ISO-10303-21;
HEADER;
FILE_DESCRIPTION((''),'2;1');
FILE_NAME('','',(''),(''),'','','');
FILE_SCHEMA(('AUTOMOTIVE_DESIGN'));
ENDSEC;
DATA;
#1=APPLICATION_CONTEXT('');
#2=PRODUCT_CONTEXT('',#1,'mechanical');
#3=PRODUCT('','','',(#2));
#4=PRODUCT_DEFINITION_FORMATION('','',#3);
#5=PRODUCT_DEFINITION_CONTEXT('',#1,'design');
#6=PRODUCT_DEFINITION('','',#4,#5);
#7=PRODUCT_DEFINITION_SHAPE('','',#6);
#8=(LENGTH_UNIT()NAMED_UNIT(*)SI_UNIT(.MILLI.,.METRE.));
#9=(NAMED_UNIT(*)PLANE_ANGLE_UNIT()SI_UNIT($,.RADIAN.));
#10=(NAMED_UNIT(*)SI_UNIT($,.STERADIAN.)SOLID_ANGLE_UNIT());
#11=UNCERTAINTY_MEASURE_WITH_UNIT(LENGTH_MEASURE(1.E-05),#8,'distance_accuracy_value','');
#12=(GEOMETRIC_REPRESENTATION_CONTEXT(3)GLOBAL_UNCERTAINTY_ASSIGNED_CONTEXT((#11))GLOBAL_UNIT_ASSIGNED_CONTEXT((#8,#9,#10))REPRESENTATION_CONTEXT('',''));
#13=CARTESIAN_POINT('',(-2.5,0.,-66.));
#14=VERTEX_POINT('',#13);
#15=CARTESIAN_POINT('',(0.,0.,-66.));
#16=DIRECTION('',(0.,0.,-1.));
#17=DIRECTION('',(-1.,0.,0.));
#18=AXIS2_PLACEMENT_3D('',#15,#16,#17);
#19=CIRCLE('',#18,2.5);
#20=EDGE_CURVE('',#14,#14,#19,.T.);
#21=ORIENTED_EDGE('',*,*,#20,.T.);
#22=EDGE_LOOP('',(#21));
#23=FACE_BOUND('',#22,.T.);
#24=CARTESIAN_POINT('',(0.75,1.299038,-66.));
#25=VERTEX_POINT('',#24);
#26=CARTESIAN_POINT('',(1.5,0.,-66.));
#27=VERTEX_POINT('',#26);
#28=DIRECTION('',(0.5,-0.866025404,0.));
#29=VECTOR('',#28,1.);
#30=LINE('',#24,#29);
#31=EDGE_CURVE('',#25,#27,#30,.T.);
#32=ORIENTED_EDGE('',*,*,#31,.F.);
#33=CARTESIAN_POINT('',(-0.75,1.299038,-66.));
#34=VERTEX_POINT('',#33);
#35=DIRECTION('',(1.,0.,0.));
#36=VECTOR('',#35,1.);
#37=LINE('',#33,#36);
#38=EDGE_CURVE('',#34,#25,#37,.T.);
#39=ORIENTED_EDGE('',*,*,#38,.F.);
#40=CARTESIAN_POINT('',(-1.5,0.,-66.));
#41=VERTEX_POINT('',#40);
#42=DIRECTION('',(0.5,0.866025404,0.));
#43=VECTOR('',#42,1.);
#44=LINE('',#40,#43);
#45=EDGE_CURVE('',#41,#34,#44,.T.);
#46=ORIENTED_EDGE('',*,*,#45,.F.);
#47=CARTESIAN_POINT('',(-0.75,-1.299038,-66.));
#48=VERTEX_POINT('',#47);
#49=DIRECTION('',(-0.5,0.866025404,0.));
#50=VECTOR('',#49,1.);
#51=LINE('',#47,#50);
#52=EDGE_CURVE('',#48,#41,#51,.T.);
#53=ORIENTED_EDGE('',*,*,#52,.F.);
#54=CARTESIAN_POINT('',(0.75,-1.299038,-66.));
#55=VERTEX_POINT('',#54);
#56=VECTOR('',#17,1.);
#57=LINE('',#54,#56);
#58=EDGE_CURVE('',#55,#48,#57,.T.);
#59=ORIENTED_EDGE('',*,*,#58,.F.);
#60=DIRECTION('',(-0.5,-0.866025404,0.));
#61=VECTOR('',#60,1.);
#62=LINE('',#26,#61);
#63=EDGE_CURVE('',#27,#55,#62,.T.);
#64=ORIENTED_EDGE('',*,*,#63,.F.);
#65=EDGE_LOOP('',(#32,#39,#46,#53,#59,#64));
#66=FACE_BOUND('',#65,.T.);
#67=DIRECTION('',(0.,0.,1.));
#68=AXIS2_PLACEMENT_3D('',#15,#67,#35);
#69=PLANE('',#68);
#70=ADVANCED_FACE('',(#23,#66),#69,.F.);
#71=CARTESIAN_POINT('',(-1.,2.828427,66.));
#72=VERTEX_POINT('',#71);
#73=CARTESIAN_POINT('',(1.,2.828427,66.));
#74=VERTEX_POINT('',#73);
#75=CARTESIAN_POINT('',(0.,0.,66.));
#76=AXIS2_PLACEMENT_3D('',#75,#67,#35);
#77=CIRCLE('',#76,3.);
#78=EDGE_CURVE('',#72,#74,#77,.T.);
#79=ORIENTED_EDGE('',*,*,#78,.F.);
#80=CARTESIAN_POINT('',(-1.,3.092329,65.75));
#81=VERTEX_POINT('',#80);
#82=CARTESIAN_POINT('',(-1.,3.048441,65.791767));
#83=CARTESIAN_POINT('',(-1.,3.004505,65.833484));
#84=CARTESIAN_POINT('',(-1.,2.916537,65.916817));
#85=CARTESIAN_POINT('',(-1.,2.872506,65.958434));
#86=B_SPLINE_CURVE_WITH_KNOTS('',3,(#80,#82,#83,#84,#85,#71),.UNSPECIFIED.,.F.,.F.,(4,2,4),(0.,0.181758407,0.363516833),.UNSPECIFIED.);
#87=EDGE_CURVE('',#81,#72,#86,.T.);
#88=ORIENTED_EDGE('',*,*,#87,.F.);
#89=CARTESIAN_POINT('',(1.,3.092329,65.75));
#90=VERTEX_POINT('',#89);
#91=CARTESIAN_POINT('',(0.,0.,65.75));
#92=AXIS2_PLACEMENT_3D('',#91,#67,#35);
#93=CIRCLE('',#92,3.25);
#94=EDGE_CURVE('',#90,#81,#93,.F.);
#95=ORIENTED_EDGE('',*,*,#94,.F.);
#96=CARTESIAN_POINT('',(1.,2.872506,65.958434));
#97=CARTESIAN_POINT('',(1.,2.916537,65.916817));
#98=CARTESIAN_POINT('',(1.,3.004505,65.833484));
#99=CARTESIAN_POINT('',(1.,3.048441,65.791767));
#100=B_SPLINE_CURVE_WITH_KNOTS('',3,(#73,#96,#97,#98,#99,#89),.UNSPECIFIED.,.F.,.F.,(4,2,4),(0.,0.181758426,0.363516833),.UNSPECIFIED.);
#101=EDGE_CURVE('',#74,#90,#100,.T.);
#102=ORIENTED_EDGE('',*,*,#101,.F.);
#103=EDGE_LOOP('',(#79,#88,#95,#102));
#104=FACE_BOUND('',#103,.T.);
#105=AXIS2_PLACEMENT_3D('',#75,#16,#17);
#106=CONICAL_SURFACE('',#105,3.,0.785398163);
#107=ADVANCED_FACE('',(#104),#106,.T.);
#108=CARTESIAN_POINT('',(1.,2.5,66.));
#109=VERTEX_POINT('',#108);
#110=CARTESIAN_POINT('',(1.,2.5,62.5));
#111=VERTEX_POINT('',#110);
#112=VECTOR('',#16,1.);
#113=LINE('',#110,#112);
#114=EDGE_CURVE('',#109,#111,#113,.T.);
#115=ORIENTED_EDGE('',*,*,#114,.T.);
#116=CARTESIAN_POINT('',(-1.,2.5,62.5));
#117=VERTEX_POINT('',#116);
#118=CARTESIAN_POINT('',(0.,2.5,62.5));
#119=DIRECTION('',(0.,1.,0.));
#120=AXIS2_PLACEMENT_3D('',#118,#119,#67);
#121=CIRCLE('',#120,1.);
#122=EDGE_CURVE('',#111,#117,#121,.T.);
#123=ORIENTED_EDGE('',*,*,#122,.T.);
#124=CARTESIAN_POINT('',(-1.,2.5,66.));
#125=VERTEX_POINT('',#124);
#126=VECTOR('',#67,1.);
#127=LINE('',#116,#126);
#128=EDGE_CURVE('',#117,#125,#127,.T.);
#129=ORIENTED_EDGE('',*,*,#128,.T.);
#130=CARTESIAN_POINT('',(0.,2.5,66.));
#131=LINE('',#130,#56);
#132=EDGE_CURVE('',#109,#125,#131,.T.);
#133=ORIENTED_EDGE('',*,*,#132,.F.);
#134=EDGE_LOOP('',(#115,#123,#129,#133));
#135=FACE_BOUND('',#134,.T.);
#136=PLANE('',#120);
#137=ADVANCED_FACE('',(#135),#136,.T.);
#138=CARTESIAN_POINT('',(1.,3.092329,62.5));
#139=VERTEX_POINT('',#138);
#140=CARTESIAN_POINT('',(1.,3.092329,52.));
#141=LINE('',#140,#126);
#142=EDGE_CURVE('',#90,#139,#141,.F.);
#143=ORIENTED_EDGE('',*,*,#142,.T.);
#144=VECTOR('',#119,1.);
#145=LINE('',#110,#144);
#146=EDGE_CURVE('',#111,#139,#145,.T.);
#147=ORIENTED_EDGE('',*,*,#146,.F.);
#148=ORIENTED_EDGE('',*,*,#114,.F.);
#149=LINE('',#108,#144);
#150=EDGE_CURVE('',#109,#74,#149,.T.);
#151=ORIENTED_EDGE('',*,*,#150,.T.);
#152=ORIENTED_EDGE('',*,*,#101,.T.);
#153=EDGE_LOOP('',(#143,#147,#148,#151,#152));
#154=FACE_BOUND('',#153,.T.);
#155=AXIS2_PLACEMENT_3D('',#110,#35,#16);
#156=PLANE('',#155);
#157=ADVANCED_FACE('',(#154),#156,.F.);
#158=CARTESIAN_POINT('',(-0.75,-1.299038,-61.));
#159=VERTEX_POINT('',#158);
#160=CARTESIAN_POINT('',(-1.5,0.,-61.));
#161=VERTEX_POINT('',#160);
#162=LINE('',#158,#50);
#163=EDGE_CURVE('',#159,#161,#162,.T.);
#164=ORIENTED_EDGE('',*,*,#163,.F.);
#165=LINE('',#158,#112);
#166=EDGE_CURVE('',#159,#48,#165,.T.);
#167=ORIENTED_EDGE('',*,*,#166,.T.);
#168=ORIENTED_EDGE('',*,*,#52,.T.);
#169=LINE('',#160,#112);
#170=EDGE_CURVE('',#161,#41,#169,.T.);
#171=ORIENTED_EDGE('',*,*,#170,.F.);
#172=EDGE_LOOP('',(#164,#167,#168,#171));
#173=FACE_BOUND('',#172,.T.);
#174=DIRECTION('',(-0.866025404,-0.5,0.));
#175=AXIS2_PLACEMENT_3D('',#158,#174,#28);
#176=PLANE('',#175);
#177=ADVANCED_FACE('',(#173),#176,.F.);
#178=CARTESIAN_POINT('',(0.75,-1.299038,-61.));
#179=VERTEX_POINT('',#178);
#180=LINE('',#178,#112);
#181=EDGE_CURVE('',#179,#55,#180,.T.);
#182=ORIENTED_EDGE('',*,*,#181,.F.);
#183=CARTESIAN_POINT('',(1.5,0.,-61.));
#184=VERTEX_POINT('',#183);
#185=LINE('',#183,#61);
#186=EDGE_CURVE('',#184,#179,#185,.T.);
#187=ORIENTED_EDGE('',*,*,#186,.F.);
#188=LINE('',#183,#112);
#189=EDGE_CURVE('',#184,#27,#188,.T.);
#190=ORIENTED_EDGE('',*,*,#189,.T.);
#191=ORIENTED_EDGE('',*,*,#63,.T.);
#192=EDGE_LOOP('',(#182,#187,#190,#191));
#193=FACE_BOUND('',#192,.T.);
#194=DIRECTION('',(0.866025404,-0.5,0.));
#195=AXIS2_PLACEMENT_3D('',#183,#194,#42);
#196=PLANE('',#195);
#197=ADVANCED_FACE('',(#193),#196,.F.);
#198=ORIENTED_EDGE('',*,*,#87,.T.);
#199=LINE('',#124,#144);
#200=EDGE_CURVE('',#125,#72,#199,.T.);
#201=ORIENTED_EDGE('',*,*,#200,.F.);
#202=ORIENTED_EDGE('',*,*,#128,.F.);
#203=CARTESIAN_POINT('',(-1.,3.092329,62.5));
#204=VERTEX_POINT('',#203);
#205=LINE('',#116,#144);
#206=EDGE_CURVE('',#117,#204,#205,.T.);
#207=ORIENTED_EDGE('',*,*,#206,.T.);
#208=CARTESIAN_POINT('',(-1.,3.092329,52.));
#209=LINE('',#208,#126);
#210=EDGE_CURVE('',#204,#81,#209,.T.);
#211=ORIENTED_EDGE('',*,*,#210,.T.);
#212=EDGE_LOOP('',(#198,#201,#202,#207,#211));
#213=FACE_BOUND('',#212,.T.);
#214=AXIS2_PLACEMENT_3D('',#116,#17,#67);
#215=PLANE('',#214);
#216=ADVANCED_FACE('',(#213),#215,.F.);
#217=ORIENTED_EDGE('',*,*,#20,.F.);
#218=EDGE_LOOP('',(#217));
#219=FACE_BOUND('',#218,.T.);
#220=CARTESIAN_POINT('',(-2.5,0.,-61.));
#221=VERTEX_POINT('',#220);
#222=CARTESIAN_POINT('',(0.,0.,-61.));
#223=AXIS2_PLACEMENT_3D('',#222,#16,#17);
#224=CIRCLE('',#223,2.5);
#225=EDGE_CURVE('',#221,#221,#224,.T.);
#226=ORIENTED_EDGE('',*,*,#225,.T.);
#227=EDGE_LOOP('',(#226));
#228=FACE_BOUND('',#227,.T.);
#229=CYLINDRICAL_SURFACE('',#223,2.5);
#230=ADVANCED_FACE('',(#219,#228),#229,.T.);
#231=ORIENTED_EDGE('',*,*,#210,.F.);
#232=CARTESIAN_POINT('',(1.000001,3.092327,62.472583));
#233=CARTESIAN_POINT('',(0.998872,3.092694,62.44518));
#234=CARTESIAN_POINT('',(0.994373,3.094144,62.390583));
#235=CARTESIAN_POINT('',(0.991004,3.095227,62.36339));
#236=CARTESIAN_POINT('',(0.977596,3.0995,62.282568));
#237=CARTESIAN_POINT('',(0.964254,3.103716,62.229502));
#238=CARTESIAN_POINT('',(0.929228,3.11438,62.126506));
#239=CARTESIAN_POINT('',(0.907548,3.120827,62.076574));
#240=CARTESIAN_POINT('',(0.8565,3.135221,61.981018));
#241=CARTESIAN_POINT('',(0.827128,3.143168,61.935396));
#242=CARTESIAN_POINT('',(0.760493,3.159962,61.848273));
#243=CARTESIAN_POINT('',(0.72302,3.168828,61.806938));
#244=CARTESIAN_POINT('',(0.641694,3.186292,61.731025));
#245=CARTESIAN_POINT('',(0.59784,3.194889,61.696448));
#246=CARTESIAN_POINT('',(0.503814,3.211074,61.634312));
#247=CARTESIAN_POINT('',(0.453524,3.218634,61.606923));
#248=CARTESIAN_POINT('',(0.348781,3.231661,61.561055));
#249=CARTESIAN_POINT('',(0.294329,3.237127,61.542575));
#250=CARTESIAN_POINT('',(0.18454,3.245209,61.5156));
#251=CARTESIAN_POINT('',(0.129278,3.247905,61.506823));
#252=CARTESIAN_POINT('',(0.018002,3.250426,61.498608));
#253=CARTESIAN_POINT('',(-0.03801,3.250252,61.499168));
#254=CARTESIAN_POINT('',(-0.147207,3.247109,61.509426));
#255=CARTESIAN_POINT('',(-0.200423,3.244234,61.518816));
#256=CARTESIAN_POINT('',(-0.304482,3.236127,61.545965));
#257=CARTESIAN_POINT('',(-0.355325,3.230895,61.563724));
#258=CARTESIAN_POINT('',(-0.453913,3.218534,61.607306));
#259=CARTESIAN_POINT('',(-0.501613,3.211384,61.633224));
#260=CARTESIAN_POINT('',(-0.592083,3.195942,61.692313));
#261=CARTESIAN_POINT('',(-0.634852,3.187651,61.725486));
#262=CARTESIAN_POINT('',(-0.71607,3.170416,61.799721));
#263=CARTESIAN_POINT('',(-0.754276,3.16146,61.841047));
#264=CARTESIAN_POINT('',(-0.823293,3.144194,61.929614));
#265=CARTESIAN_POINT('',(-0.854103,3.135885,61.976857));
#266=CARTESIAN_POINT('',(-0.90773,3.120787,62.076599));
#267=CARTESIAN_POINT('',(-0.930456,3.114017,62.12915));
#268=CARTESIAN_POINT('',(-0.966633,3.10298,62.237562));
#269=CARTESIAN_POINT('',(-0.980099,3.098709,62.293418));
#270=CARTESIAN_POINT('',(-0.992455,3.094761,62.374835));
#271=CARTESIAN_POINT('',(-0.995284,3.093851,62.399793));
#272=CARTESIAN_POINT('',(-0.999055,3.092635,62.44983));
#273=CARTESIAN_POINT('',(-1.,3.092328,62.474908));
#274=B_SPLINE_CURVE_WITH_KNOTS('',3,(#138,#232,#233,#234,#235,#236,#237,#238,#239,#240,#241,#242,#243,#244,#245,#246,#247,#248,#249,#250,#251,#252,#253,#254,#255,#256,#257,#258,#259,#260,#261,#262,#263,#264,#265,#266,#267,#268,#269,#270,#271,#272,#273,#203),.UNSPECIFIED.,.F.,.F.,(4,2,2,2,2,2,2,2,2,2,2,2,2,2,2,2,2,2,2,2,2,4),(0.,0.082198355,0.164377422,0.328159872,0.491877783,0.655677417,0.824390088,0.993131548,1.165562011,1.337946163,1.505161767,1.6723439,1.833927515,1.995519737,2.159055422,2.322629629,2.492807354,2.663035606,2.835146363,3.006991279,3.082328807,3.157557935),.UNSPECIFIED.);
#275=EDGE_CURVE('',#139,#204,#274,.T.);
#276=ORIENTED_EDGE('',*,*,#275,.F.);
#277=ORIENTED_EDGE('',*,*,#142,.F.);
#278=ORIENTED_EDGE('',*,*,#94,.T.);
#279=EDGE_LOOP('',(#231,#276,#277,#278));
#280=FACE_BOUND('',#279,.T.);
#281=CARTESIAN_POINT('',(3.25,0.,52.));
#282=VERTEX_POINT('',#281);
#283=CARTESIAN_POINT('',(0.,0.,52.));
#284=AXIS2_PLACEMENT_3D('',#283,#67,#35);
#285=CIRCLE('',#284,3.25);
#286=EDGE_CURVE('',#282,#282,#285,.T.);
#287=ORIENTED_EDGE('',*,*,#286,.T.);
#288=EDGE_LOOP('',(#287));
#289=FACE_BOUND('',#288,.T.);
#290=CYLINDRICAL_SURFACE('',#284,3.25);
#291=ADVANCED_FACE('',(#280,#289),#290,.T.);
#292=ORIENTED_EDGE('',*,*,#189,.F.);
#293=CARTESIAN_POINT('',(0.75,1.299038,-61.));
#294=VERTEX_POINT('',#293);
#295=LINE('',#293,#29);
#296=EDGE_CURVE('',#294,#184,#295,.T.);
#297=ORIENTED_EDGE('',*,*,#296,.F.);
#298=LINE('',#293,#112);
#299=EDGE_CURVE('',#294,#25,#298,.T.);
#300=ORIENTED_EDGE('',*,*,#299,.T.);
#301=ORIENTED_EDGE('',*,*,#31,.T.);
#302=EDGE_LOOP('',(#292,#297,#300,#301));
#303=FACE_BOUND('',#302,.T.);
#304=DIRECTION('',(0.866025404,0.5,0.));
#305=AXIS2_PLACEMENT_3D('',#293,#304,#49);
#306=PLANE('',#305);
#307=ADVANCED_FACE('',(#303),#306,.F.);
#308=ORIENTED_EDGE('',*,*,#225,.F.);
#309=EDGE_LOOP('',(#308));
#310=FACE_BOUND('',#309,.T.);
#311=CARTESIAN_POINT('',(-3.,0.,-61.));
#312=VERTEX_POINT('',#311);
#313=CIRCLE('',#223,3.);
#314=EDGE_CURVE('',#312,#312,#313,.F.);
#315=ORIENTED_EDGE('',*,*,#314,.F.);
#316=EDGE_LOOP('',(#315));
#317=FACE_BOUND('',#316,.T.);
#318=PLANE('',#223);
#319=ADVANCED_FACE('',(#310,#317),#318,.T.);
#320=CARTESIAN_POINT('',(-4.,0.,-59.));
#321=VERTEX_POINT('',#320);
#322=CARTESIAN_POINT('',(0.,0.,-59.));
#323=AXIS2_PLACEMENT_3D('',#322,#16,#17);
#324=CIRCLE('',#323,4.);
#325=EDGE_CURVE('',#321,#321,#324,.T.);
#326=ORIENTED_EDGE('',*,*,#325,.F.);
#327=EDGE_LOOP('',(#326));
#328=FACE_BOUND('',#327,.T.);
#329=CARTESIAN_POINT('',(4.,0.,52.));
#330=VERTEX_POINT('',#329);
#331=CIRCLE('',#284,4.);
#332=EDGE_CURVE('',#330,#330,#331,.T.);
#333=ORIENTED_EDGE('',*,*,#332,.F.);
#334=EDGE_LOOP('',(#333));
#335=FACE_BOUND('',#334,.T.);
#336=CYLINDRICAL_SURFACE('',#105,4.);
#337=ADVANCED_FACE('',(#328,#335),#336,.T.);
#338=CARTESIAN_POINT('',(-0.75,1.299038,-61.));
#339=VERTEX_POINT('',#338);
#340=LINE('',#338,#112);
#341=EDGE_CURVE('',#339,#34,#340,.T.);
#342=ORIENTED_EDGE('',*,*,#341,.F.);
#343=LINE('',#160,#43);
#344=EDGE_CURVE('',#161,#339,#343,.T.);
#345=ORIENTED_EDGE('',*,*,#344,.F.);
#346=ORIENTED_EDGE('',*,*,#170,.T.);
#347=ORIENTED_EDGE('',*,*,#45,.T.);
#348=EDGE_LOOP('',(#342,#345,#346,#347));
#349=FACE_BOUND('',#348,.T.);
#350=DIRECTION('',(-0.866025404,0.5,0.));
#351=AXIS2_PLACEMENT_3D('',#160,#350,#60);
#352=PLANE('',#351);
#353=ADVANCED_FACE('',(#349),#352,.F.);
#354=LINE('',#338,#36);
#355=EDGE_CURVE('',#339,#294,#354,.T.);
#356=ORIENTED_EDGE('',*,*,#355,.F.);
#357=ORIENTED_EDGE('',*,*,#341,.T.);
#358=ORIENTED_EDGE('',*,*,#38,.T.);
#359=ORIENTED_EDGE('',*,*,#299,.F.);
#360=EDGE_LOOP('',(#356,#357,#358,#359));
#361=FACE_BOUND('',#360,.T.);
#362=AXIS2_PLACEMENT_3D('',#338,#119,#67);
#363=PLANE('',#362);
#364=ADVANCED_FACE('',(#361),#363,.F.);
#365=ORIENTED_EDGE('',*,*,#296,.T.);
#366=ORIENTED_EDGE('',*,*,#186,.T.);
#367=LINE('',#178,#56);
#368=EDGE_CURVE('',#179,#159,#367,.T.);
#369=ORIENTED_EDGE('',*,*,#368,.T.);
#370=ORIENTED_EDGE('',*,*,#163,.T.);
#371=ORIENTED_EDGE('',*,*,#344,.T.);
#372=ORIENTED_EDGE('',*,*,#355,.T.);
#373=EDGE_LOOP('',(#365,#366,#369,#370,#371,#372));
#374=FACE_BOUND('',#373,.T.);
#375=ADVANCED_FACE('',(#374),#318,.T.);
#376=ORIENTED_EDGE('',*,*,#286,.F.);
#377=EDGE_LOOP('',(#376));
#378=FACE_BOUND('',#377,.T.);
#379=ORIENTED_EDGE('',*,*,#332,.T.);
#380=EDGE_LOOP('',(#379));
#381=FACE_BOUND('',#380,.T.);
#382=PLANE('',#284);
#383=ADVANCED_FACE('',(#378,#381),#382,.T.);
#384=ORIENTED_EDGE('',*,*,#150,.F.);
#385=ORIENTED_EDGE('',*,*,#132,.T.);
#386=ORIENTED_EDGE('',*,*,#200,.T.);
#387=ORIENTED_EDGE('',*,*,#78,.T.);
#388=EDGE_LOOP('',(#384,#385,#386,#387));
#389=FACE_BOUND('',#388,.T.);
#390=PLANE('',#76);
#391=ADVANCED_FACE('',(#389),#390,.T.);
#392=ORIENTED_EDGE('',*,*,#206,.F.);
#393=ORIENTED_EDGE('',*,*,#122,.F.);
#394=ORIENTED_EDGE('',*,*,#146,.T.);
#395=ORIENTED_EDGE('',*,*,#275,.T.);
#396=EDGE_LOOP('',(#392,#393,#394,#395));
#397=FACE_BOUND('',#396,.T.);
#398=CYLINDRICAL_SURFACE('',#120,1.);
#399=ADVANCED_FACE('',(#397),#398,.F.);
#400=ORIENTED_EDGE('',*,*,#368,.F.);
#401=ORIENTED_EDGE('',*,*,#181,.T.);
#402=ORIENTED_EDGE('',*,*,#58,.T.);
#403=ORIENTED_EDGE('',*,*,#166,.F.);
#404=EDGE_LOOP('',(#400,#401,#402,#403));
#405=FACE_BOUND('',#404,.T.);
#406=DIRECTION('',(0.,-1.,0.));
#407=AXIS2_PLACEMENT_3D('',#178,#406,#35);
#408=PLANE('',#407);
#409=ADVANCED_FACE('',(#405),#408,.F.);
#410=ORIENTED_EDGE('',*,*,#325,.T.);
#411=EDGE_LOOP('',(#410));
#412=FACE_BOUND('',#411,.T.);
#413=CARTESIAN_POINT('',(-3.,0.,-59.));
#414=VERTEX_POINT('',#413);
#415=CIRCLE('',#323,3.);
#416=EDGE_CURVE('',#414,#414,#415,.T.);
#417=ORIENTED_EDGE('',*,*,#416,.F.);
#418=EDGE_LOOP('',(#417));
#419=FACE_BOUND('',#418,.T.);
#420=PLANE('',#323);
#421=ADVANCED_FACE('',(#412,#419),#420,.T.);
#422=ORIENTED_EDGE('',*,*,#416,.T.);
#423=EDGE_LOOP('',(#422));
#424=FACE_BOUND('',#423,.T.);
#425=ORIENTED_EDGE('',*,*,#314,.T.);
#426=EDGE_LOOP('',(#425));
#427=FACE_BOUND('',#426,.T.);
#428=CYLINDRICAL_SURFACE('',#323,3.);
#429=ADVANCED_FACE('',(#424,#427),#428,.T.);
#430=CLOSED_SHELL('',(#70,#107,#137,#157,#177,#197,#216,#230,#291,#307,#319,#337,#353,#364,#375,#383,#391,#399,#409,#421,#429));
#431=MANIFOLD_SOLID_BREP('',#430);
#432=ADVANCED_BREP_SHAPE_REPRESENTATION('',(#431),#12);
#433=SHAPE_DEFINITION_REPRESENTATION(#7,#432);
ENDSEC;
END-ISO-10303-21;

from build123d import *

# Parameters (mm, degrees)
SKETCH1_R           = 4
BOSS_EXTRUDE1_DEPTH = 66
SKETCH2_R           = 4
SKETCH2_R_2         = 3.25
CUT_EXTRUDE1_DEPTH  = 14
CUT_EXTRUDE2_DEPTH  = 1
CHAMFER1_SIZE       = 0.25
CUT_EXTRUDE3_START  = -7
SKETCH5_R           = 4
SKETCH5_R_2         = 3
CUT_EXTRUDE3_DEPTH  = 7
SKETCH7_R           = 3.566008396
SKETCH7_R_2         = 2.5
CUT_EXTRUDE4_DEPTH  = 5
CUT_EXTRUDE5_DEPTH  = 5


with BuildPart() as part:
    # Sketch1 → Boss-Extrude1 (new, symmetric)
    with BuildSketch(Plane.XY):
        Circle(SKETCH1_R)
    extrude(amount=BOSS_EXTRUDE1_DEPTH, both=True)

    # Sketch2 → Cut-Extrude1 (cut)
    with BuildSketch(Plane.XY.offset(66)):
        Circle(SKETCH2_R)
        Circle(SKETCH2_R_2, mode=Mode.SUBTRACT)
    extrude(amount=-CUT_EXTRUDE1_DEPTH, mode=Mode.SUBTRACT)

    # Sketch3 → Cut-Extrude2 (cut)
    with BuildSketch(Plane(origin=(0, 3.5, 0), x_dir=(1, 0, 0), z_dir=(0, 1, 0))):
        with BuildLine():
            Line((1, -62.5), (1, -66))
            ThreePointArc((1, -66), (0, -67), (-1, -66))
            Line((-1, -66), (-1, -62.5))
            ThreePointArc((-1, -62.5), (0, -61.5), (1, -62.5))
        make_face()
    extrude(amount=-CUT_EXTRUDE2_DEPTH, mode=Mode.SUBTRACT)

    # Chamfer1
    chamfer1_edges = [part.edges().sort_by_distance(p)[0] for p in [
        (-1.912132318, -2.627974505, 66),
    ]]
    chamfer(chamfer1_edges, length=CHAMFER1_SIZE)

    # Sketch5 → Cut-Extrude3 (cut)
    with BuildSketch(Plane(origin=(0, 0, -66), x_dir=(-1, 0, 0), z_dir=(0, 0, -1)).offset(CUT_EXTRUDE3_START)):
        Circle(SKETCH5_R)
        Circle(SKETCH5_R_2, mode=Mode.SUBTRACT)
    extrude(amount=CUT_EXTRUDE3_DEPTH, mode=Mode.SUBTRACT)

    # Sketch7 → Cut-Extrude4 (cut)
    with BuildSketch(Plane(origin=(0, 0, -66), x_dir=(-1, 0, 0), z_dir=(0, 0, -1))):
        Circle(SKETCH7_R)
        Circle(SKETCH7_R_2, mode=Mode.SUBTRACT)
    extrude(amount=-CUT_EXTRUDE4_DEPTH, mode=Mode.SUBTRACT)

    # Sketch8 → Cut-Extrude5 (cut)
    with BuildSketch(Plane(origin=(0, 0, -66), x_dir=(-1, 0, 0), z_dir=(0, 0, -1))):
        Polygon((0.75, -1.299038106), (1.5, 0), (0.75, 1.299038106), (-0.75, 1.299038106), (-1.5, 0), (-0.75, -1.299038106), align=None)
    extrude(amount=-CUT_EXTRUDE5_DEPTH, mode=Mode.SUBTRACT)


solid = part.part
